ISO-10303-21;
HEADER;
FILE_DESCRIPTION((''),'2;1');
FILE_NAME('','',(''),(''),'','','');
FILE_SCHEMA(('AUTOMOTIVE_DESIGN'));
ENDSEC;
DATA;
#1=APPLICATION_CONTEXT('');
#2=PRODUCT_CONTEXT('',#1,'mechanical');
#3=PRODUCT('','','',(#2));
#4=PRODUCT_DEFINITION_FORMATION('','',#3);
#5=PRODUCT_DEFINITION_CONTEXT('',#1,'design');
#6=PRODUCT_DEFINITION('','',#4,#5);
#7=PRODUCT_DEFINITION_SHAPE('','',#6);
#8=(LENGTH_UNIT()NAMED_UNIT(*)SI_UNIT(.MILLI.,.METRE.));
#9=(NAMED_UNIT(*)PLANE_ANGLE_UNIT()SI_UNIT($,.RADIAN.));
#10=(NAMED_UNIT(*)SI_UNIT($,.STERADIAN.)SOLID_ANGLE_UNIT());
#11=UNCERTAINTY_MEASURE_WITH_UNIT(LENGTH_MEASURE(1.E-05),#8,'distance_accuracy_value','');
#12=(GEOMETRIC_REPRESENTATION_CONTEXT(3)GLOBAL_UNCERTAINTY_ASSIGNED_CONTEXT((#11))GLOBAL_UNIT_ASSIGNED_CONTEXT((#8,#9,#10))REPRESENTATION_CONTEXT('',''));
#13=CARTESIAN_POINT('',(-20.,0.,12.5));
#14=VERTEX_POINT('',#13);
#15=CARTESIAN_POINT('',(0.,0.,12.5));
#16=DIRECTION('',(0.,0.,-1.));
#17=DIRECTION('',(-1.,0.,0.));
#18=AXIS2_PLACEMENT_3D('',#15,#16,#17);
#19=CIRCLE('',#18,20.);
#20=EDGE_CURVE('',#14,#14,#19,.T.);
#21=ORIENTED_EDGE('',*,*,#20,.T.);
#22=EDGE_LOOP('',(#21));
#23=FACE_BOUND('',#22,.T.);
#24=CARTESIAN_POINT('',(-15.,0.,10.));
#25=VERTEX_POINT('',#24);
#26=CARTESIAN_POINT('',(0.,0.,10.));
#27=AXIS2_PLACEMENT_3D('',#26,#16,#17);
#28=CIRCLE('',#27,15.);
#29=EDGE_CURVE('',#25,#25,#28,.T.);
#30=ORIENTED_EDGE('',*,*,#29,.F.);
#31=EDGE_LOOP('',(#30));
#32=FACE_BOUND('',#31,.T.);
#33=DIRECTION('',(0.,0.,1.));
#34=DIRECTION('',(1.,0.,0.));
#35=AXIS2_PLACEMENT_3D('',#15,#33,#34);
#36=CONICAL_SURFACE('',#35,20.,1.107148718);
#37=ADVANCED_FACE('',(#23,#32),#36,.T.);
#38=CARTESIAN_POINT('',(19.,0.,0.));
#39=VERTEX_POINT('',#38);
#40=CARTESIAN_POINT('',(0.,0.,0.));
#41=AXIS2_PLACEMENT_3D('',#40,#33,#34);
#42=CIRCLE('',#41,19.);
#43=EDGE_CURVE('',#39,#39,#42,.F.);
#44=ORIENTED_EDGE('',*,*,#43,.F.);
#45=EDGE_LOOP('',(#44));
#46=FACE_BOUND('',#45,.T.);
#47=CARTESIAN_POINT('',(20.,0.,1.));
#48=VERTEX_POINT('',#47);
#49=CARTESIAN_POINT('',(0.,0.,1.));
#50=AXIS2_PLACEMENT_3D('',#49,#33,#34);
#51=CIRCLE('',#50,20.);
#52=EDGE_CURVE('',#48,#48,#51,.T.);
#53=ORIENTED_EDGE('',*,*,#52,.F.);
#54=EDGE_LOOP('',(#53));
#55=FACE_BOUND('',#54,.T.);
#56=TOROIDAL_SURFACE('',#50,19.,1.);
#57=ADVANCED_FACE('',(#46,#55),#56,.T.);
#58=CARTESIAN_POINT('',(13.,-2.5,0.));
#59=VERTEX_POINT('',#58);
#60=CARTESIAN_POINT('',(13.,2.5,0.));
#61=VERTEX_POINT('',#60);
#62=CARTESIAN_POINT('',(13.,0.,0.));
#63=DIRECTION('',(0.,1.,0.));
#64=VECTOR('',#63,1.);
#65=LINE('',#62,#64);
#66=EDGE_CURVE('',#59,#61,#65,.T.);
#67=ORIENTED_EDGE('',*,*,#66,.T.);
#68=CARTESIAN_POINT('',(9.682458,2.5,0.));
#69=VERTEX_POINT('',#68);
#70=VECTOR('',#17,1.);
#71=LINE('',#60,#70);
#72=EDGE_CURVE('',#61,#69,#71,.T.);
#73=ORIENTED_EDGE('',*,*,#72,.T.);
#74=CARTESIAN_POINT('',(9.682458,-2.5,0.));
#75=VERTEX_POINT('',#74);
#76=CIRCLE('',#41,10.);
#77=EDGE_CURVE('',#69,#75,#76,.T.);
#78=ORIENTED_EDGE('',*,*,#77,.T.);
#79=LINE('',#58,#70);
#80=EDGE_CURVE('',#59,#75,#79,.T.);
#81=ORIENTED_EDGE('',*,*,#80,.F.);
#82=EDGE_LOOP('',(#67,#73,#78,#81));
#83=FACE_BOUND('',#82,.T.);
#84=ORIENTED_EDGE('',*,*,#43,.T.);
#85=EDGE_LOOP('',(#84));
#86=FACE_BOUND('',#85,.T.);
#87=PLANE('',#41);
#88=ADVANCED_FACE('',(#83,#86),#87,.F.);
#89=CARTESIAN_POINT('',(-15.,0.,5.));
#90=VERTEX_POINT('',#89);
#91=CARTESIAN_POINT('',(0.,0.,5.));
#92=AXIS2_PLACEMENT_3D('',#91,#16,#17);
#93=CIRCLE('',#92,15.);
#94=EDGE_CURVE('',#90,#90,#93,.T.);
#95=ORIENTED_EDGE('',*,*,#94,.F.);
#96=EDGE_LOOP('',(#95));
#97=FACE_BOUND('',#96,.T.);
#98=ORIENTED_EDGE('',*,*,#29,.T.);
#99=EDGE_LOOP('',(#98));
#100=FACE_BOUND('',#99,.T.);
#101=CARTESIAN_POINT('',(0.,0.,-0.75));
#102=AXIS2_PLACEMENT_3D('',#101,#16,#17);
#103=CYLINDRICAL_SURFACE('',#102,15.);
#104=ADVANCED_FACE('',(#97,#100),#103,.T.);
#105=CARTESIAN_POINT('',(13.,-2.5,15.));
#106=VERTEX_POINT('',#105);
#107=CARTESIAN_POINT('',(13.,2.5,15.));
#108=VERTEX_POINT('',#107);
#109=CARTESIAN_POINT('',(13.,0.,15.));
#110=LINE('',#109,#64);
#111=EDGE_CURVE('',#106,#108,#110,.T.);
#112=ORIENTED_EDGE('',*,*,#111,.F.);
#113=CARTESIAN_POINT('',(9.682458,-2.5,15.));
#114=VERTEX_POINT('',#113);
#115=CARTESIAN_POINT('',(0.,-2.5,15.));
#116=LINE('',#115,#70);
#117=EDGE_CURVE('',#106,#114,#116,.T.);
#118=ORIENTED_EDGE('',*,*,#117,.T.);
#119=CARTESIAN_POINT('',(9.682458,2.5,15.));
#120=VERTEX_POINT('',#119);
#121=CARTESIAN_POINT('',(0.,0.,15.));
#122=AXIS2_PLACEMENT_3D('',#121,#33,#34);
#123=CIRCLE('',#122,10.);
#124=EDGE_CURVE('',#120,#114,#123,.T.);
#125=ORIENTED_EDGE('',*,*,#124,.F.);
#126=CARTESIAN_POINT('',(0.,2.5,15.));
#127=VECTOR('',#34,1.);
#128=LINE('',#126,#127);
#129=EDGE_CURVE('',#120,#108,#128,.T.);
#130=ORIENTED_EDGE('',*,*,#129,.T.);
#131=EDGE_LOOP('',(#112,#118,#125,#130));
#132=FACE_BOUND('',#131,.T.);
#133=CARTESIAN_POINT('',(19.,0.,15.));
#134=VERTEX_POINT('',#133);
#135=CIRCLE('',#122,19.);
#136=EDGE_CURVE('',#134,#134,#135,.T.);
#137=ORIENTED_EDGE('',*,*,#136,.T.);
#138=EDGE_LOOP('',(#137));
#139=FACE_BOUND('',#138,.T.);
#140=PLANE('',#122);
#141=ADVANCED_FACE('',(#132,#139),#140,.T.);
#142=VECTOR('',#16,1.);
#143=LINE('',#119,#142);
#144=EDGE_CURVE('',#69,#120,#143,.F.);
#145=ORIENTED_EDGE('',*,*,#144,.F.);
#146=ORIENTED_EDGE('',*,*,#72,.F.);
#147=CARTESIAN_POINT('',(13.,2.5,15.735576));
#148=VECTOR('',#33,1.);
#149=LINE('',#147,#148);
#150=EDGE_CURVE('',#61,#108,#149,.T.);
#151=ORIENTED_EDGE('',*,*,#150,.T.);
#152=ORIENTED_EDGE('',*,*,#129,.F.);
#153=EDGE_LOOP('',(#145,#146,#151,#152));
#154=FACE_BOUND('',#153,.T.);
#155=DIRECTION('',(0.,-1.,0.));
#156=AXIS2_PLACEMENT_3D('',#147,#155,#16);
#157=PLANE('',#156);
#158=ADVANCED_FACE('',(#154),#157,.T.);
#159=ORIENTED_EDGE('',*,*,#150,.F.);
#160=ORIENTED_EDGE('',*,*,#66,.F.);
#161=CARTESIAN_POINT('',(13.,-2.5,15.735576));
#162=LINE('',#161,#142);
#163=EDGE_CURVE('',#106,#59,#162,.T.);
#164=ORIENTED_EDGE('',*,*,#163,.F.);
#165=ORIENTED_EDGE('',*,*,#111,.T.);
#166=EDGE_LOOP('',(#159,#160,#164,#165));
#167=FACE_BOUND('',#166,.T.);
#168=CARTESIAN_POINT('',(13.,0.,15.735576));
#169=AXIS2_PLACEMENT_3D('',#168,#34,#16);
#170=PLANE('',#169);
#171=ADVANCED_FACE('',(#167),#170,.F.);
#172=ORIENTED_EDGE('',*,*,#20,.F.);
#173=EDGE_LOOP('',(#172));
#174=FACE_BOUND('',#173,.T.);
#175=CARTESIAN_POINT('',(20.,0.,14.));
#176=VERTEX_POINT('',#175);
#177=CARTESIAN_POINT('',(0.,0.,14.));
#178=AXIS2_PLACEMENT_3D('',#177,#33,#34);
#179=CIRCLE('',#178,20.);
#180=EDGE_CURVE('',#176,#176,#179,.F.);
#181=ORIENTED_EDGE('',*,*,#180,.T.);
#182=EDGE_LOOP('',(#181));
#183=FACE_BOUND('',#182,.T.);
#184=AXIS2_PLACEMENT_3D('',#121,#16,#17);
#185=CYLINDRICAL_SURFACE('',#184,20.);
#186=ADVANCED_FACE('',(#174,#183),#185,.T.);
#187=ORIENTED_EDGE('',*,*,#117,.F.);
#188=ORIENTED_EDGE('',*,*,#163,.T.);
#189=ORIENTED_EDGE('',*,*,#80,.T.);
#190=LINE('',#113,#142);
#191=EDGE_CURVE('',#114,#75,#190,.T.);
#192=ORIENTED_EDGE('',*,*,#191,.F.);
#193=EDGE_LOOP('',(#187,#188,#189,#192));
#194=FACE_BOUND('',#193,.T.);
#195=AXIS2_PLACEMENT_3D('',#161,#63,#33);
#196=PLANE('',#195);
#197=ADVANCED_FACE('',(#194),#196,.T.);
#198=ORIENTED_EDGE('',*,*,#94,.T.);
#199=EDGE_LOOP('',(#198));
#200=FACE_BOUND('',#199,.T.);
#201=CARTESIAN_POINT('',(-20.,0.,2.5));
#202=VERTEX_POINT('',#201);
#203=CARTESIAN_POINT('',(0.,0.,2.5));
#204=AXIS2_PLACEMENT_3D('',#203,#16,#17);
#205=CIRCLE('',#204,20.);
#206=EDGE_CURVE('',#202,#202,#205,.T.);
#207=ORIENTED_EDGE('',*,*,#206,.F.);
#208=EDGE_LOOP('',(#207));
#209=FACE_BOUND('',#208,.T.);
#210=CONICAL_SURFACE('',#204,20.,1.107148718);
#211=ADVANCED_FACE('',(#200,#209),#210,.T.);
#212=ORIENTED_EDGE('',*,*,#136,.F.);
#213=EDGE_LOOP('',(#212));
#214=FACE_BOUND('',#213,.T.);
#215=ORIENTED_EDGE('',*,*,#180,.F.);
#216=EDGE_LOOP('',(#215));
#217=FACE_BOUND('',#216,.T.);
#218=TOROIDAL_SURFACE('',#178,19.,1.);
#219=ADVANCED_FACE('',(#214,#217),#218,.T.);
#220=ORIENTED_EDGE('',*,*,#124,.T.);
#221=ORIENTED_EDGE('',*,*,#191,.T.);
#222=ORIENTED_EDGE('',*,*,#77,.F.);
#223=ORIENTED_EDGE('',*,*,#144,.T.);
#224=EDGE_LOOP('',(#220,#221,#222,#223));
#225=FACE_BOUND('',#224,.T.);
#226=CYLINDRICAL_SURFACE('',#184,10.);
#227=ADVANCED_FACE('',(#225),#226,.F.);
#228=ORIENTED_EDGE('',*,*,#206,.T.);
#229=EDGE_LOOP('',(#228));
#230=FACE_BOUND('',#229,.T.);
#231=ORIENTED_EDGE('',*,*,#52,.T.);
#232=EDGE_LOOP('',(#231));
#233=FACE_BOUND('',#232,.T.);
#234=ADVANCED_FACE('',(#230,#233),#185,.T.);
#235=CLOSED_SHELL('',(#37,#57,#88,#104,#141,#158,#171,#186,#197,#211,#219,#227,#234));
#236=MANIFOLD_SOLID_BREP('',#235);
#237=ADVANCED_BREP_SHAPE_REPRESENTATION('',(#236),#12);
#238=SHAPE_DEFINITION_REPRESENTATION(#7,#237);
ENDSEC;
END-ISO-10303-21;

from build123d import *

# Parameters (mm, degrees)
SKETCH_1_R               = 20
SKETCH_1_R_2             = 10
EXTRUDE_1_DEPTH          = 15
CUT_EXTRUDE_1_DEPTH      = 3
CUT_EXTRUDE_1_DEPTH_BACK = 10
FILLET_1_R               = 1


with BuildPart() as part:
    # 草图1 → 凸台-拉伸1 (new body)
    with BuildSketch(Plane.XY):
        Circle(SKETCH_1_R)
        Circle(SKETCH_1_R_2, mode=Mode.SUBTRACT)
    extrude(amount=EXTRUDE_1_DEPTH)

    # 草图2 → 切除-旋转1 (revolve, cut)
    with BuildSketch(Plane(origin=(0, 0, 0), x_dir=(0, 0, -1), z_dir=(1, 0, 0))):
        Polygon((-5, 15), (-2.5, 20), (-12.5, 20), (-10, 15), align=None)
    revolve(axis=Axis((0, 0, -0.75), (0, 0, 1)), mode=Mode.SUBTRACT)

    # 草图3 → 切除-拉伸1 (cut, two sides)
    with BuildSketch(Plane(origin=(10, 0, 0), x_dir=(0, 0, -1), z_dir=(1, 0, 0))) as cut_extrude_1_sk:
        with BuildLine():
            Line((-15.73557603, 2.5), (0, 2.5))
            ThreePointArc((0, 2.5), (2.5, 0), (0, -2.5))
            Line((0, -2.5), (-15.73557603, -2.5))
            ThreePointArc((-15.73557603, -2.5), (-18.23557603, 0), (-15.73557603, 2.5))
        make_face()
    extrude(amount=CUT_EXTRUDE_1_DEPTH, mode=Mode.SUBTRACT)
    extrude(cut_extrude_1_sk.sketch, amount=-CUT_EXTRUDE_1_DEPTH_BACK, mode=Mode.SUBTRACT)

    # 圆角1
    fillet_1_edges = [part.edges().sort_by_distance(p)[0] for p in [
        (-20, 0, 0),
        (-20, 0, 15),
    ]]
    fillet(fillet_1_edges, radius=FILLET_1_R)


solid = part.part
